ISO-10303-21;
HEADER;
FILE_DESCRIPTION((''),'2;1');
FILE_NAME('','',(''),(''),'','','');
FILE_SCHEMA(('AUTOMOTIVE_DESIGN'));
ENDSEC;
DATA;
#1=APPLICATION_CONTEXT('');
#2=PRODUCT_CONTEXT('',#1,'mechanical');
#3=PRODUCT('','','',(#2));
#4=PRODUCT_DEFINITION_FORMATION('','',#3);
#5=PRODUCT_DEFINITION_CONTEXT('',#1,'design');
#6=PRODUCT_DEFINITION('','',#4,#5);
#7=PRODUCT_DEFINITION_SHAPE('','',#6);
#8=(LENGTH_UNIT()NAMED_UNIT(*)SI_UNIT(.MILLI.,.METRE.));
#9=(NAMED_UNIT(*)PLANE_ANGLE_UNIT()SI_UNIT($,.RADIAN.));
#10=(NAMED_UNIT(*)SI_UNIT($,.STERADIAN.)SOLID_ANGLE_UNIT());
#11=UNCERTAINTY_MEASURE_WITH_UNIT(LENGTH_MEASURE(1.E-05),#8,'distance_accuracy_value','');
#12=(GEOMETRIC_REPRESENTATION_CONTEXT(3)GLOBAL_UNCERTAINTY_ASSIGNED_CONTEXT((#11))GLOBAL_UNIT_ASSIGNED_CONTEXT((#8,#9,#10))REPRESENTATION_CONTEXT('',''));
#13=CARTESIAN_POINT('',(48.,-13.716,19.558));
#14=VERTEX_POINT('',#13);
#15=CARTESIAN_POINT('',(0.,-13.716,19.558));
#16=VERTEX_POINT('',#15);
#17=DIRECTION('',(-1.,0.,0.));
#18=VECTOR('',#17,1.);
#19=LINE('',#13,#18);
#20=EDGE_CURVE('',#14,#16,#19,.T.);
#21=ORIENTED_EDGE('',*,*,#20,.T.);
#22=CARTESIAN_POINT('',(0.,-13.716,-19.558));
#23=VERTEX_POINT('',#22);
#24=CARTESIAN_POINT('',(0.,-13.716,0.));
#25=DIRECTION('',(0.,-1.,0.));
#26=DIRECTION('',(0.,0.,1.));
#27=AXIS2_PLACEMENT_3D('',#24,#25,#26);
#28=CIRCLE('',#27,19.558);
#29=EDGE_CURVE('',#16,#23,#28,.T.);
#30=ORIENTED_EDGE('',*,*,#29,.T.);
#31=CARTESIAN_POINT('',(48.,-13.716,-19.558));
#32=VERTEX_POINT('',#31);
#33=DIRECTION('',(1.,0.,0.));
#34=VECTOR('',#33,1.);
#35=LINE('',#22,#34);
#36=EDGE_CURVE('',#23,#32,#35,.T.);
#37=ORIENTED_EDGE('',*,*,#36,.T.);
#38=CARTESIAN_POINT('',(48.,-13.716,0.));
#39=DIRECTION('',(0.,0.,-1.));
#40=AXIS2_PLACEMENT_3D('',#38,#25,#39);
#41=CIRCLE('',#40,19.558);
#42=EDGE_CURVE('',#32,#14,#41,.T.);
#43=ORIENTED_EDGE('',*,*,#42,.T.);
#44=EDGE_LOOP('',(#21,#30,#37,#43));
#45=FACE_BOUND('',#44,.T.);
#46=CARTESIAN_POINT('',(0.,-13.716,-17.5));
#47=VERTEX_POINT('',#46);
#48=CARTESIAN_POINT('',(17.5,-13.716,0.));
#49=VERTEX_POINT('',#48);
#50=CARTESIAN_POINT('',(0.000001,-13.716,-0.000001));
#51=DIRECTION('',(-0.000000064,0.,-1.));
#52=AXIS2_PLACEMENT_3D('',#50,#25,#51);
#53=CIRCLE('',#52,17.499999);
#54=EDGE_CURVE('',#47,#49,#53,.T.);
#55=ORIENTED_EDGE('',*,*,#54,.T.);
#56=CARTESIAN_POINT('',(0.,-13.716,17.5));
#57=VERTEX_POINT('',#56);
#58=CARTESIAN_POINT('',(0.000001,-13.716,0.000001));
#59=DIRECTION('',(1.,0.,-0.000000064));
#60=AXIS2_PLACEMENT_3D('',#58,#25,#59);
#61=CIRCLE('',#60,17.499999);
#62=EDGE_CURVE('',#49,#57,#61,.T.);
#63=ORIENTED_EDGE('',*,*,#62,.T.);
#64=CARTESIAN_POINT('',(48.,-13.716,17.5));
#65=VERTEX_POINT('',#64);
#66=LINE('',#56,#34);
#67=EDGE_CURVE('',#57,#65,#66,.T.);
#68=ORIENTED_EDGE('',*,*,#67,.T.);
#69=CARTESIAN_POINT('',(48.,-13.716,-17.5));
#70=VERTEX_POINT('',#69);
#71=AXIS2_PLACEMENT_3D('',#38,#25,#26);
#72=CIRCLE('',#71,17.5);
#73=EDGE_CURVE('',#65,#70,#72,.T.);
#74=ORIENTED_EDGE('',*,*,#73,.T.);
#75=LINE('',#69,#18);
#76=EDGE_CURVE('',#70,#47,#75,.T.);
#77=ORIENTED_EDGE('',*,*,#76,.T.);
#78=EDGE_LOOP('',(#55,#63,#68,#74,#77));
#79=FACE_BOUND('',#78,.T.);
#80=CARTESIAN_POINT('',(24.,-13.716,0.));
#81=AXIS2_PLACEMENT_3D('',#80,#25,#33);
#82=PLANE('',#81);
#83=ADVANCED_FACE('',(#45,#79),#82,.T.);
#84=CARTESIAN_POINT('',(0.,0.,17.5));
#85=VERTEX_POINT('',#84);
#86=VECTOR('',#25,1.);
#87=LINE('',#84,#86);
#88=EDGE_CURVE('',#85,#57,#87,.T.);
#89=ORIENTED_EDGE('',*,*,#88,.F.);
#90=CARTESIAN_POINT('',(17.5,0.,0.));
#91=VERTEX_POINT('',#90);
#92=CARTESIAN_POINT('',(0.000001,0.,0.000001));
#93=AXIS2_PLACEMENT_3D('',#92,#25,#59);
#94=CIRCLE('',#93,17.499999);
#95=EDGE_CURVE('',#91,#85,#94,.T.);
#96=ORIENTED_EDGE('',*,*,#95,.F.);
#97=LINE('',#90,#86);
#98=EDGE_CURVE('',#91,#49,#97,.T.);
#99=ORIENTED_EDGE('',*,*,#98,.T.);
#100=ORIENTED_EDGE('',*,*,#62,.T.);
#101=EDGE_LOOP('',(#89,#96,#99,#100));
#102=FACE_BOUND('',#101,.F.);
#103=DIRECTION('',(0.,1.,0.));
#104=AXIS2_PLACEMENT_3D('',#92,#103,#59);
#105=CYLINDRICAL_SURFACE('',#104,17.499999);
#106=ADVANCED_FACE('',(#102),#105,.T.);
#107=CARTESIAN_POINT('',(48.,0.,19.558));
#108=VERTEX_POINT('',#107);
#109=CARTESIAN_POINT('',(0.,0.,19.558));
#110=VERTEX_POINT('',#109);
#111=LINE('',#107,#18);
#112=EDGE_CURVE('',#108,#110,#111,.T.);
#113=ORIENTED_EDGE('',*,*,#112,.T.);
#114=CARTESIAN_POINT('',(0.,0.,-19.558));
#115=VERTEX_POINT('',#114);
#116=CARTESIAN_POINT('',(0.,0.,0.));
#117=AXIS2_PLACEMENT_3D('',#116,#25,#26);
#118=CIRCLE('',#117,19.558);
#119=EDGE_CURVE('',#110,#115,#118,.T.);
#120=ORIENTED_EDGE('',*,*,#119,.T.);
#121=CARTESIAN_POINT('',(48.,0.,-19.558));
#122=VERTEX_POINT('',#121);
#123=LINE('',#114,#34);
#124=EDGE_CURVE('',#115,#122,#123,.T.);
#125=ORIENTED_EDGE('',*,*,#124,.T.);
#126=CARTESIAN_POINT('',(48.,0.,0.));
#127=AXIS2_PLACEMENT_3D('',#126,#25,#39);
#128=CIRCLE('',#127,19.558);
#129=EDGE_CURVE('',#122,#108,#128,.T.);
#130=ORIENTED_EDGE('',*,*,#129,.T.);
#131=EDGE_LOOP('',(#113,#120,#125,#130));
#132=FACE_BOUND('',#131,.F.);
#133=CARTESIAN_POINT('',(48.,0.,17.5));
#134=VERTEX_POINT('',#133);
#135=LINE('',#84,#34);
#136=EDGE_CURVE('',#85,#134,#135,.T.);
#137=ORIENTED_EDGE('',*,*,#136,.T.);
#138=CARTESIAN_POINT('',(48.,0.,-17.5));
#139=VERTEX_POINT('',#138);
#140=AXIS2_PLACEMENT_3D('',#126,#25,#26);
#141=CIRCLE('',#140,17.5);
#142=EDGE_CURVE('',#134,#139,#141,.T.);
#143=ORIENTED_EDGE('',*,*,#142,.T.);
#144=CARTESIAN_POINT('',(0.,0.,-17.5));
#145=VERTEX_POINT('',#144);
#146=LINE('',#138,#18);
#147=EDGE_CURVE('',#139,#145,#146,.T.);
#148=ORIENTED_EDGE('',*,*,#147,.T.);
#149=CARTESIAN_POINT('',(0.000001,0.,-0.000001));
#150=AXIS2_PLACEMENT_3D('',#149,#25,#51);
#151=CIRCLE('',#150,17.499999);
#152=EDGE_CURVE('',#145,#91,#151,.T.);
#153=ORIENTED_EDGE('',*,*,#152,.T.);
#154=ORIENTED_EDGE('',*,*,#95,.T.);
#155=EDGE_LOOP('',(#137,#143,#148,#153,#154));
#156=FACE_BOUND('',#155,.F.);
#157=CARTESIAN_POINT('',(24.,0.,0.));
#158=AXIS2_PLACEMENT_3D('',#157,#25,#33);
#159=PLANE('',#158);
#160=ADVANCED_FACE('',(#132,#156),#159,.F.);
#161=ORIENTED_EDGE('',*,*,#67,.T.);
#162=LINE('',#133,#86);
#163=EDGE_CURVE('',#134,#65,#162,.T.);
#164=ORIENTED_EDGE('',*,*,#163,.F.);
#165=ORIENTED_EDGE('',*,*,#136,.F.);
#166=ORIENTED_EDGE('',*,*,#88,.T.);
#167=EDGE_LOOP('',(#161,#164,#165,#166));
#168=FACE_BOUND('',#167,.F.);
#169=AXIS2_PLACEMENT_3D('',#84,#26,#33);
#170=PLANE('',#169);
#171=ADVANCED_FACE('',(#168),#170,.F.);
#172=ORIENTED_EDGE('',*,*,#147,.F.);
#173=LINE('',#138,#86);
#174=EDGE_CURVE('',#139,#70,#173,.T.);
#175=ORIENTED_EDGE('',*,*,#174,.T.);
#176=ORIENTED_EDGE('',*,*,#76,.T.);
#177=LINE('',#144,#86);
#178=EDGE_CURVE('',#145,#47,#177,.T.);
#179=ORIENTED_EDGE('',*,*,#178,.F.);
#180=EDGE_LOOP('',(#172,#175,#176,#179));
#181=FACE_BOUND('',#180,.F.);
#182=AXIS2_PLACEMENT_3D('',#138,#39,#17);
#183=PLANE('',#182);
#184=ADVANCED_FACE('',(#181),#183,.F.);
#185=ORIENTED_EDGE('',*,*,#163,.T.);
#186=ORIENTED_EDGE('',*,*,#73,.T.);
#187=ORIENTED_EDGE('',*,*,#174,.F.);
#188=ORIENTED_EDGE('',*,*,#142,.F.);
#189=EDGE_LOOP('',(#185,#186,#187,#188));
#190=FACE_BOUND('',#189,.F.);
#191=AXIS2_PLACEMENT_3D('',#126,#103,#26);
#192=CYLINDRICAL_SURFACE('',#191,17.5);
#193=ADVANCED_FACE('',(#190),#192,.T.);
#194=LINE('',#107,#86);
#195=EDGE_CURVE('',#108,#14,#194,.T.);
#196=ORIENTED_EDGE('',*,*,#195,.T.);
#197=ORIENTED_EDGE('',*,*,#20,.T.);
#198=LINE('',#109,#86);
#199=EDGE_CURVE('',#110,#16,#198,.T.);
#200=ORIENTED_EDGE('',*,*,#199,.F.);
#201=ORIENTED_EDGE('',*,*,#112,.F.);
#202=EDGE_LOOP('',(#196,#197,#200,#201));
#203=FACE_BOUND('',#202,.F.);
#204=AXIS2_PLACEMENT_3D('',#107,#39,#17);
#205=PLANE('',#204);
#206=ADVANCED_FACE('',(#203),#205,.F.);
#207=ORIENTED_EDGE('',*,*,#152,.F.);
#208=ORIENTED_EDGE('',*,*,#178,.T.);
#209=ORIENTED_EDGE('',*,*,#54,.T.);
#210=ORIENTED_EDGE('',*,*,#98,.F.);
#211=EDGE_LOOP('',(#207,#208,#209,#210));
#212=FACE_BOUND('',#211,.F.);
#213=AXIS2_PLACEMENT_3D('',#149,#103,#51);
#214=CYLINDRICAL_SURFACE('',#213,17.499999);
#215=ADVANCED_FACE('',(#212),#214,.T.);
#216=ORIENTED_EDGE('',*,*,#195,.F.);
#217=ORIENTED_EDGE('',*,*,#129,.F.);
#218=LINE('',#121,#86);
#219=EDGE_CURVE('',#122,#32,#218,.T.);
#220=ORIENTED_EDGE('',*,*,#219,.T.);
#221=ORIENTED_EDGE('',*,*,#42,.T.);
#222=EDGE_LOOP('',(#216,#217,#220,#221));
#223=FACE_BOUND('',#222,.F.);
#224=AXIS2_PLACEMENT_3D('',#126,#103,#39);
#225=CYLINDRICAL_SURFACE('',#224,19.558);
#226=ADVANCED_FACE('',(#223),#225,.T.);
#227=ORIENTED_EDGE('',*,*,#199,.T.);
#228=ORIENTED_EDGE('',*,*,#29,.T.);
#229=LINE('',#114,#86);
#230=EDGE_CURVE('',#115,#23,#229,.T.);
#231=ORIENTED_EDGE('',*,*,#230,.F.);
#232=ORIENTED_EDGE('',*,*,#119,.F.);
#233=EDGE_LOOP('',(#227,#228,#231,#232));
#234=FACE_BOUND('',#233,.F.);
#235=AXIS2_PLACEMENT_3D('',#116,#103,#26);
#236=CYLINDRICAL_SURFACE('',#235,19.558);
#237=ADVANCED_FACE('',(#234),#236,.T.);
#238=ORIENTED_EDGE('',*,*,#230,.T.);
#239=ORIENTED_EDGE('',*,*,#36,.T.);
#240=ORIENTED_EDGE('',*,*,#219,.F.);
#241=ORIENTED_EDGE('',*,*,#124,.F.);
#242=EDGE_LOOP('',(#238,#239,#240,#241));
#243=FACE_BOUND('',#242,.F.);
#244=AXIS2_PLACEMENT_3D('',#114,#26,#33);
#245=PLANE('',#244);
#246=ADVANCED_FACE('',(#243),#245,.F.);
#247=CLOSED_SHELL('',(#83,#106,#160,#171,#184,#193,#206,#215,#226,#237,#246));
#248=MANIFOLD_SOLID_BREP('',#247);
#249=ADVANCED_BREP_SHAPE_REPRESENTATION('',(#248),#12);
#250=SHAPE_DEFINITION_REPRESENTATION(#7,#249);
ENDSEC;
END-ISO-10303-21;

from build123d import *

# Parameters (mm, degrees)
F1_DEPTH = 13.716


with BuildPart() as f1:
    # F0 (on Front) → F1 (new body)
    with BuildSketch(Plane.XZ):
        with BuildLine():
            Line((48, 19.558), (0, 19.558))
            ThreePointArc((0, 19.558), (-19.558, 0), (0, -19.558))
            Line((0, -19.558), (48, -19.558))
            ThreePointArc((48, -19.558), (67.558, 0), (48, 19.558))
        make_face()
        with BuildLine():
            ThreePointArc((0, -17.5), (-17.5, 0), (0, 17.5))
            Line((0, 17.5), (48, 17.5))
            ThreePointArc((48, 17.5), (60.374369, 12.374369), (65.5, 0))
            ThreePointArc((65.5, 0), (60.374369, -12.374369), (48, -17.5))
            Line((48, -17.5), (0, -17.5))
        make_face(mode=Mode.SUBTRACT)
        with BuildLine():
            ThreePointArc((0, -17.5), (12.374369, -12.374369), (17.5, 0))
            ThreePointArc((17.5, 0), (12.374369, 12.374369), (0, 17.5))
            ThreePointArc((0, 17.5), (-17.5, 0), (0, -17.5))
        make_face()
        with BuildLine():
            ThreePointArc((65.5, 0), (60.374369, 12.374369), (48, 17.5))
            ThreePointArc((48, 17.5), (30.5, 0), (48, -17.5))
            ThreePointArc((48, -17.5), (60.374369, -12.374369), (65.5, 0))
        make_face()
    extrude(amount=F1_DEPTH)


solid = f1.part
